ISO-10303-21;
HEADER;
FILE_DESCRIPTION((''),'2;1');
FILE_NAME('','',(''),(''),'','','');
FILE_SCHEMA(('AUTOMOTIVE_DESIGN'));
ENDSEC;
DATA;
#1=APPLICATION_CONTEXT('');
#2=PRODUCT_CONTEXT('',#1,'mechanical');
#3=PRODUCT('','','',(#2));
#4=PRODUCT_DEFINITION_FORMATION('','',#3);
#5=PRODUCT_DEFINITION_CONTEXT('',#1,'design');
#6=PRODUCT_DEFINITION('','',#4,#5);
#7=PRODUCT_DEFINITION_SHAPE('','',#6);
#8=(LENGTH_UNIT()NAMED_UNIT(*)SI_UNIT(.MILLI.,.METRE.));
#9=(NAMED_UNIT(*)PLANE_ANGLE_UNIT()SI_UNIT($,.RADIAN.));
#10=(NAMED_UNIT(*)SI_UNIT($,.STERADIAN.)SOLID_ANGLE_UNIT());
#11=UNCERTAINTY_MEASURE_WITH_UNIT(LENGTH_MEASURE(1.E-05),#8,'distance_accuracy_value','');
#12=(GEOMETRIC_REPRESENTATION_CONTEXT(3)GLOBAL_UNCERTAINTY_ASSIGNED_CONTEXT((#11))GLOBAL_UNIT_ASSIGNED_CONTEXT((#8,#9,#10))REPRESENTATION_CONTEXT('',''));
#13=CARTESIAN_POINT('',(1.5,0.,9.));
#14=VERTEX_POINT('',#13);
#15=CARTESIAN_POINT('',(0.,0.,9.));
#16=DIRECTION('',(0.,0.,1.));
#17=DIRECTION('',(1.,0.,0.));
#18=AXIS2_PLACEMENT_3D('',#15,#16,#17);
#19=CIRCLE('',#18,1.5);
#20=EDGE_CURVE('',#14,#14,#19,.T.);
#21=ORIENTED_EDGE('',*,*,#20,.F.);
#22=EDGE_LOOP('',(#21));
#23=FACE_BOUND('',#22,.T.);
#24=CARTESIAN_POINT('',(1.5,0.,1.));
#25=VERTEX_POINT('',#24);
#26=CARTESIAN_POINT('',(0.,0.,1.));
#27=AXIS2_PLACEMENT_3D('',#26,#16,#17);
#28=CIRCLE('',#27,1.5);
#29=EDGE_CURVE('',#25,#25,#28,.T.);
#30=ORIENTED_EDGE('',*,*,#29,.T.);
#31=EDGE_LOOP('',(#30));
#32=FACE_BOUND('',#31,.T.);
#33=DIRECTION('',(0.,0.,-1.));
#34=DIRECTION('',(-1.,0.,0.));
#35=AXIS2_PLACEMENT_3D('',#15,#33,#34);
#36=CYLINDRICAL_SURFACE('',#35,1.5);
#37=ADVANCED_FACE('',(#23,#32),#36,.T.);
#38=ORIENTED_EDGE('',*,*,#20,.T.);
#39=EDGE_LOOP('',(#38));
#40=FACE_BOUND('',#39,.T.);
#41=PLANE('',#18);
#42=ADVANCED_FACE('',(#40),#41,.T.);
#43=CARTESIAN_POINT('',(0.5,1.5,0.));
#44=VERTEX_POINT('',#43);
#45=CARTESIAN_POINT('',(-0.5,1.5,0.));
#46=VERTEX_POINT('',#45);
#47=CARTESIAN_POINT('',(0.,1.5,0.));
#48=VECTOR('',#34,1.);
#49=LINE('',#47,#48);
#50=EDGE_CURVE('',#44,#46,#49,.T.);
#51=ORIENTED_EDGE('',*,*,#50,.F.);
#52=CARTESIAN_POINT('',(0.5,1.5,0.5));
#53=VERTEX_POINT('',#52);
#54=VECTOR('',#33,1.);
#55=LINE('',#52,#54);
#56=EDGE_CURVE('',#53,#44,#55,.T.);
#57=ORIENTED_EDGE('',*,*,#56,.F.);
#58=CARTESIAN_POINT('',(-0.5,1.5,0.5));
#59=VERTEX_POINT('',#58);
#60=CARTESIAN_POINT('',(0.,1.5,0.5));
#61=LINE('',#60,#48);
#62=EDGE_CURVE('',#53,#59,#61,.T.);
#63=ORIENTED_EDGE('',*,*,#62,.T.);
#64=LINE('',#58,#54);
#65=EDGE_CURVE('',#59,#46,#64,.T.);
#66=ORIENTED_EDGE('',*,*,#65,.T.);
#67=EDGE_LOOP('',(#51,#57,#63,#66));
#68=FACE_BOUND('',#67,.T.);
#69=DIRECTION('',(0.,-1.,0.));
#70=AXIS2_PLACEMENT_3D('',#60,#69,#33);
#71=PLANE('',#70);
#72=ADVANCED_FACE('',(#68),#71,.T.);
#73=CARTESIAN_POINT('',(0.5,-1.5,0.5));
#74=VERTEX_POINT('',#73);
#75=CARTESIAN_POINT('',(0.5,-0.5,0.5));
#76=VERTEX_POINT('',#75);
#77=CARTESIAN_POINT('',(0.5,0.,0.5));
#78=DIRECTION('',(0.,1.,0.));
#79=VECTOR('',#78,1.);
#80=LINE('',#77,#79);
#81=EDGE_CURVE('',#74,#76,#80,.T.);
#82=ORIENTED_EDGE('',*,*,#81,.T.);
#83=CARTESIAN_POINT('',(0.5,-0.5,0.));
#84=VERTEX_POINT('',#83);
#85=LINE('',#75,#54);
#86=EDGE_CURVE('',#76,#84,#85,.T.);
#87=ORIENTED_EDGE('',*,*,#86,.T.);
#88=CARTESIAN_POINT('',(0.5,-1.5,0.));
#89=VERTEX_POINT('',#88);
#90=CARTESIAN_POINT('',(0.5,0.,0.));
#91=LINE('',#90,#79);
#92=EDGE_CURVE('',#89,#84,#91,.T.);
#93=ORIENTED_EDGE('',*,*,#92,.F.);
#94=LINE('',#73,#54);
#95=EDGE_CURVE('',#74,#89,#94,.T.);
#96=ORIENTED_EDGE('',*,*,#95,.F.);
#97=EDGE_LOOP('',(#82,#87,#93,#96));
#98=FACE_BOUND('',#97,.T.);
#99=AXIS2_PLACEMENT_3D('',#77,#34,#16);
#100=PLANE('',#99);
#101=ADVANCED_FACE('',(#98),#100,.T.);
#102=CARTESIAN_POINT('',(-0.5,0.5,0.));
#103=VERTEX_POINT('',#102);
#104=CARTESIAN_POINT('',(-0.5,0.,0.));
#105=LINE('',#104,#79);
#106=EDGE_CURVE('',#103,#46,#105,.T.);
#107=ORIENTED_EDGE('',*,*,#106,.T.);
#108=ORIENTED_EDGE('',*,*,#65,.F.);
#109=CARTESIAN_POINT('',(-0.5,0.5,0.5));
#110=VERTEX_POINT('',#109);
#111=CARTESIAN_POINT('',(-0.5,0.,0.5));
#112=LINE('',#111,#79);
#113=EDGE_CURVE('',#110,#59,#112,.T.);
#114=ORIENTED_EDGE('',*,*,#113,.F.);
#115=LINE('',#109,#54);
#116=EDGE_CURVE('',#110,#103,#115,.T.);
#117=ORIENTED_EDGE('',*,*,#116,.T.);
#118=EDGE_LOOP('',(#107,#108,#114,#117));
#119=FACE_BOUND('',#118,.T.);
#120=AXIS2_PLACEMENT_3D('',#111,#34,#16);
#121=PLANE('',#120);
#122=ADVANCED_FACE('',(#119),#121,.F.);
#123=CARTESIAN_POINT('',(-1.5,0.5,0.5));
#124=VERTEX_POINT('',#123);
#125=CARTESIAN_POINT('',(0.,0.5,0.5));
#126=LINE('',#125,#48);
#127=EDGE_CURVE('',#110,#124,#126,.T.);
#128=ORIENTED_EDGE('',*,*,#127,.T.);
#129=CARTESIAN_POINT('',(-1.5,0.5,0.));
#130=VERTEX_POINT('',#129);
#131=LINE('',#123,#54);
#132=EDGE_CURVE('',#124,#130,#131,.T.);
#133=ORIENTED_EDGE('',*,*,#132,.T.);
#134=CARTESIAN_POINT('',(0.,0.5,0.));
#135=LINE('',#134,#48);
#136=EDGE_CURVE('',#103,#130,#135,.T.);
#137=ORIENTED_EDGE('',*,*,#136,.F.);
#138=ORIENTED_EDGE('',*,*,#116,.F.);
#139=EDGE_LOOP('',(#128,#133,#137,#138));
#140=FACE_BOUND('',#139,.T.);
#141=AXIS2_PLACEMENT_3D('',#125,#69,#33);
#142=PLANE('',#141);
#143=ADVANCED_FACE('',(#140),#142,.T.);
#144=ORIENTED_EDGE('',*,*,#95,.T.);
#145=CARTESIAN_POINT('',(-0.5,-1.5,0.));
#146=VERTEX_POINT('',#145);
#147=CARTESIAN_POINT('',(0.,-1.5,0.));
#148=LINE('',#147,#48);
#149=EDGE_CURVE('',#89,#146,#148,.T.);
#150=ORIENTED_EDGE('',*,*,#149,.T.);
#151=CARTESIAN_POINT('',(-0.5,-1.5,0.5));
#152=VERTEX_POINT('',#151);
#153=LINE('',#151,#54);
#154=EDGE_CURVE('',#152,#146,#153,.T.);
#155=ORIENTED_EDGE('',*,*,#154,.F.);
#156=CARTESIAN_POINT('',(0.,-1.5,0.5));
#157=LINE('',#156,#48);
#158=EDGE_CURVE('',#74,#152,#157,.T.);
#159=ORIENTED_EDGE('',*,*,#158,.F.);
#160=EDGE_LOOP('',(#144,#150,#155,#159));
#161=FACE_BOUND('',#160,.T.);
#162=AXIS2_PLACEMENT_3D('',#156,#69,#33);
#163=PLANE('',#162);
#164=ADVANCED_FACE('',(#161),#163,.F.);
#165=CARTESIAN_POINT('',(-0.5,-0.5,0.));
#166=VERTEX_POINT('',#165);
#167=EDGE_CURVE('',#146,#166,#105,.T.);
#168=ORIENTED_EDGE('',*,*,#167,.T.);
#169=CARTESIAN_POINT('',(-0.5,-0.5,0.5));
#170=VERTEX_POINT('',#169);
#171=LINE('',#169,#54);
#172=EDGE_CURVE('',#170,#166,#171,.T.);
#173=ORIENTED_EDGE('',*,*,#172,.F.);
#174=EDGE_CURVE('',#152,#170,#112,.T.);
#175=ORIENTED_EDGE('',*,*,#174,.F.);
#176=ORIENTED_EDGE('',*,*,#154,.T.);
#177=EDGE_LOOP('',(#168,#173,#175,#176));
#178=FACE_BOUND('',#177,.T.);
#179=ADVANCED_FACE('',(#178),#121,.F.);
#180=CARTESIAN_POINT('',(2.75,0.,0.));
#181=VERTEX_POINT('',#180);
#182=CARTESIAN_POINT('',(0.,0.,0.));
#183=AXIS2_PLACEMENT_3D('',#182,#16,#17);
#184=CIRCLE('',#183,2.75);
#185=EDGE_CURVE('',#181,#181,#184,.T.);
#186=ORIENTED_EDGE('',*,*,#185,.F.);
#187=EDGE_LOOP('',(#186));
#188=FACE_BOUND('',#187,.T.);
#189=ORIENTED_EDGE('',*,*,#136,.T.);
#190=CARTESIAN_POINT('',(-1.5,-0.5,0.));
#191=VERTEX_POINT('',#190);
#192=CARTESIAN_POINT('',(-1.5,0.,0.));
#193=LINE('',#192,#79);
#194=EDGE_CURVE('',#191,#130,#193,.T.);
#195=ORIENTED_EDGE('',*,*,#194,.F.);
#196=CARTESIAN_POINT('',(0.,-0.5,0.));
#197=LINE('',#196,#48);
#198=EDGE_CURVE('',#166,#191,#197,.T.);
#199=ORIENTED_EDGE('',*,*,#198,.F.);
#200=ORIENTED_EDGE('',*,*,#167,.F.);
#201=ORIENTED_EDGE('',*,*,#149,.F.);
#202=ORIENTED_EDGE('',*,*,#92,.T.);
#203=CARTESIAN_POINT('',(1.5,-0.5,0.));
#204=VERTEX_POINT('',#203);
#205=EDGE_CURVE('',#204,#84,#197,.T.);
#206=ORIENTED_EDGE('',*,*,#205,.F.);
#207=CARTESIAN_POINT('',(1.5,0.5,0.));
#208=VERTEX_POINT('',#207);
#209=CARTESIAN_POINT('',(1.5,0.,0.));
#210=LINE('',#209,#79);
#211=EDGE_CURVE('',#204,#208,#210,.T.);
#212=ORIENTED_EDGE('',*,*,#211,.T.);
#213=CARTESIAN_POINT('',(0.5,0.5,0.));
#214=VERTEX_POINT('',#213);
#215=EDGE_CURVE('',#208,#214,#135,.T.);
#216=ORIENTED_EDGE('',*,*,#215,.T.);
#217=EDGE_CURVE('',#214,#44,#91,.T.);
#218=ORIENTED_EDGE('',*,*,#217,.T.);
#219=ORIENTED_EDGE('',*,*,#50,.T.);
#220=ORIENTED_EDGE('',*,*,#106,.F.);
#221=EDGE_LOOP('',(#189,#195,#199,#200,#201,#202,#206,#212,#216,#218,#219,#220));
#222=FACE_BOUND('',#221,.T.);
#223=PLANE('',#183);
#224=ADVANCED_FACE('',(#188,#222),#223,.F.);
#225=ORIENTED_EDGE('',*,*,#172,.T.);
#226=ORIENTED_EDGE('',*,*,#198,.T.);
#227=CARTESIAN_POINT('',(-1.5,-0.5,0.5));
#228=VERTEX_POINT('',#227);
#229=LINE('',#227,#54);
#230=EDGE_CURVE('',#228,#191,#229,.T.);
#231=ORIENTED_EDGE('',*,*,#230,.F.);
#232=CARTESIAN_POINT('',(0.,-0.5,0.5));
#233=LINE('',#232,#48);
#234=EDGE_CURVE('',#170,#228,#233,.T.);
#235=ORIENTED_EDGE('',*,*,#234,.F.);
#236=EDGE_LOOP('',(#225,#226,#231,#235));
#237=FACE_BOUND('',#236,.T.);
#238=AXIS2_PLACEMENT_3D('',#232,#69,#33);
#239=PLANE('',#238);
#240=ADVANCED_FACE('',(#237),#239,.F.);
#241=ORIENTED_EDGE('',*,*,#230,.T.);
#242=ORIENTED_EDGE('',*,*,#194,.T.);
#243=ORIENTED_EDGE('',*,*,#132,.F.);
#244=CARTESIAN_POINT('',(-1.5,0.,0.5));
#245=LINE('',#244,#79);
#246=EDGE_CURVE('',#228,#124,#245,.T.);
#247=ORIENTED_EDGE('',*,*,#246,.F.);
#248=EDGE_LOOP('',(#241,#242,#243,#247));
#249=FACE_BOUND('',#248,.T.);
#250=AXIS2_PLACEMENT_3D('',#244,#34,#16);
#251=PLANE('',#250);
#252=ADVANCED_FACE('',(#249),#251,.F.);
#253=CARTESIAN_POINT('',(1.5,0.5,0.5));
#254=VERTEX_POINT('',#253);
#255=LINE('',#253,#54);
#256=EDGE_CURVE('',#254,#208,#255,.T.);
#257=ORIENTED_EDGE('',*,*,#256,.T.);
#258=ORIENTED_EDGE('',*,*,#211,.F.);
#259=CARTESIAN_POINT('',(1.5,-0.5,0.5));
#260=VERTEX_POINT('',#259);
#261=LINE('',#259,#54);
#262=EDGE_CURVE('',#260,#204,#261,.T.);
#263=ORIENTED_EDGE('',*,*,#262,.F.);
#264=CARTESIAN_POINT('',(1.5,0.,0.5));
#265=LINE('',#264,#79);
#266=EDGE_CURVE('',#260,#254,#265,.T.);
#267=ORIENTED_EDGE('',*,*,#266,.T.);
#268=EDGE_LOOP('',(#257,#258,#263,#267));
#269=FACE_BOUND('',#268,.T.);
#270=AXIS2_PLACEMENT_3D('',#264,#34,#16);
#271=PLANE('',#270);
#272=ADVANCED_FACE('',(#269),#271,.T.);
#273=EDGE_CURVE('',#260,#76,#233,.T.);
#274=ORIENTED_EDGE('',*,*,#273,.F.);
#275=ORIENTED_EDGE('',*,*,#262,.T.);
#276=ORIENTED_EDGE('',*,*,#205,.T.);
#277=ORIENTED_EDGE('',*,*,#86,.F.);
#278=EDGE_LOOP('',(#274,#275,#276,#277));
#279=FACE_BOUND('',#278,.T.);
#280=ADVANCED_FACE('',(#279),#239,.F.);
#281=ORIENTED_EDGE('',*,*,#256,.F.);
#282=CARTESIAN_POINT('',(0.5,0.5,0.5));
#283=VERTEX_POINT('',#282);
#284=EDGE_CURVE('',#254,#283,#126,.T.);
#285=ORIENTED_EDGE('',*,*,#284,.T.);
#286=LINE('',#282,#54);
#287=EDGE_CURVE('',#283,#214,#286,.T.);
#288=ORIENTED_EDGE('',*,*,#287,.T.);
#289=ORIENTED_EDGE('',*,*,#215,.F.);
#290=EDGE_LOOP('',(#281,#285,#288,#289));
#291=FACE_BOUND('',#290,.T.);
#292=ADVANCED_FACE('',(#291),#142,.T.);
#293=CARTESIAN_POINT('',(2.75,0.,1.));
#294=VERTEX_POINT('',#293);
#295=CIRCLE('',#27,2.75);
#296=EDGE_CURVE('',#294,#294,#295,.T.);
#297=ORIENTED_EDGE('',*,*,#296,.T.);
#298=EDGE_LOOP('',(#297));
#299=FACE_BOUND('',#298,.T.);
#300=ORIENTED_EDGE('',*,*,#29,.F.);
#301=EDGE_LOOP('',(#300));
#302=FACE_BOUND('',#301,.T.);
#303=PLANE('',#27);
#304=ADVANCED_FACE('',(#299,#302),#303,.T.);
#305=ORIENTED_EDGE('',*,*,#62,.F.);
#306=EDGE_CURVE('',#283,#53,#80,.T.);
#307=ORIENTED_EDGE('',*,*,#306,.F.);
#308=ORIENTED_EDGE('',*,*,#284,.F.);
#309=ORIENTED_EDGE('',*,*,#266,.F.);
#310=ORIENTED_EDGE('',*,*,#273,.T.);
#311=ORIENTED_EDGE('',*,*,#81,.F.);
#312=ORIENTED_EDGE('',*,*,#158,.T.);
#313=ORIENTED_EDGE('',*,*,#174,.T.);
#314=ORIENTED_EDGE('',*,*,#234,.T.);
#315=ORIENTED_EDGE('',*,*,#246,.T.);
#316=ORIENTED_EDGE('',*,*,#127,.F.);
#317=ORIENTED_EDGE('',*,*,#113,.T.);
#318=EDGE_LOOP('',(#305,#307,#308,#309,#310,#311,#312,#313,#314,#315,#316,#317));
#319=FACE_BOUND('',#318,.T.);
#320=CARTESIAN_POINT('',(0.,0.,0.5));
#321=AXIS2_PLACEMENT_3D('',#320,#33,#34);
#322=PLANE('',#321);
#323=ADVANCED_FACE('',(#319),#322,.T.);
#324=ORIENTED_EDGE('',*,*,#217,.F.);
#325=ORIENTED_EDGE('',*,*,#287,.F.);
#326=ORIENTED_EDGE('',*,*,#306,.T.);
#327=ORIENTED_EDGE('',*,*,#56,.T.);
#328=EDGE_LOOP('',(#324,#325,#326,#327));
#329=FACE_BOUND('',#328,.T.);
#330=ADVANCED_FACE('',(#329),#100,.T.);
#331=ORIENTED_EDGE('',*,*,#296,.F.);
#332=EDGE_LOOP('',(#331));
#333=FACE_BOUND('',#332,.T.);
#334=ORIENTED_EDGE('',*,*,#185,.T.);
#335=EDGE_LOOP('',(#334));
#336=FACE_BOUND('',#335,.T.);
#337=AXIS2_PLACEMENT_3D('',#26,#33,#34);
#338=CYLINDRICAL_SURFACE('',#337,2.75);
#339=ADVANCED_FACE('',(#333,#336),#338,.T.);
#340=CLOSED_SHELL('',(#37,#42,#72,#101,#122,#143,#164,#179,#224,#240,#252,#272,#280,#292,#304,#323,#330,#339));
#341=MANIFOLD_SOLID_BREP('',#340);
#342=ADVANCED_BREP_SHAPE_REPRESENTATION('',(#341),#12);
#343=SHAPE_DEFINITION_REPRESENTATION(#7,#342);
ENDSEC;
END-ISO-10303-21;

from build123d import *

# Parameters (mm, degrees)
SKETCH_1_R          = 2.75
EXTRUDE_1_DEPTH     = 1
SKETCH_2_R          = 1.5
EXTRUDE_2_DEPTH     = 8
SKETCH_3_W          = 1
SKETCH_3_H          = 1
CUT_EXTRUDE_1_DEPTH = 0.5


with BuildPart() as part:
    # ｽｹｯﾁ1 → ﾎﾞｽ - 押し出し1 (new body)
    with BuildSketch(Plane.XY):
        Circle(SKETCH_1_R)
    extrude(amount=EXTRUDE_1_DEPTH)

    # ｽｹｯﾁ2 → ﾎﾞｽ - 押し出し2 (add)
    with BuildSketch(Plane.XY.offset(1)):
        Circle(SKETCH_2_R)
    extrude(amount=EXTRUDE_2_DEPTH)

    # ｽｹｯﾁ3 → ｶｯﾄ - 押し出し1 (cut)
    with BuildSketch(Plane(origin=(0, 0, 0), x_dir=(-1, 0, 0), z_dir=(0, 0, -1))):
        with Locations((0, 1)):
            Rectangle(SKETCH_3_W, SKETCH_3_H)
        Rectangle(SKETCH_3_W, SKETCH_3_H)
        with Locations((1, 0)):
            Rectangle(SKETCH_3_W, SKETCH_3_H)
        with Locations((-1, 0)):
            Rectangle(SKETCH_3_W, SKETCH_3_H)
        with Locations((0, -1)):
            Rectangle(SKETCH_3_W, SKETCH_3_H)
    extrude(amount=-CUT_EXTRUDE_1_DEPTH, mode=Mode.SUBTRACT)


solid = part.part
